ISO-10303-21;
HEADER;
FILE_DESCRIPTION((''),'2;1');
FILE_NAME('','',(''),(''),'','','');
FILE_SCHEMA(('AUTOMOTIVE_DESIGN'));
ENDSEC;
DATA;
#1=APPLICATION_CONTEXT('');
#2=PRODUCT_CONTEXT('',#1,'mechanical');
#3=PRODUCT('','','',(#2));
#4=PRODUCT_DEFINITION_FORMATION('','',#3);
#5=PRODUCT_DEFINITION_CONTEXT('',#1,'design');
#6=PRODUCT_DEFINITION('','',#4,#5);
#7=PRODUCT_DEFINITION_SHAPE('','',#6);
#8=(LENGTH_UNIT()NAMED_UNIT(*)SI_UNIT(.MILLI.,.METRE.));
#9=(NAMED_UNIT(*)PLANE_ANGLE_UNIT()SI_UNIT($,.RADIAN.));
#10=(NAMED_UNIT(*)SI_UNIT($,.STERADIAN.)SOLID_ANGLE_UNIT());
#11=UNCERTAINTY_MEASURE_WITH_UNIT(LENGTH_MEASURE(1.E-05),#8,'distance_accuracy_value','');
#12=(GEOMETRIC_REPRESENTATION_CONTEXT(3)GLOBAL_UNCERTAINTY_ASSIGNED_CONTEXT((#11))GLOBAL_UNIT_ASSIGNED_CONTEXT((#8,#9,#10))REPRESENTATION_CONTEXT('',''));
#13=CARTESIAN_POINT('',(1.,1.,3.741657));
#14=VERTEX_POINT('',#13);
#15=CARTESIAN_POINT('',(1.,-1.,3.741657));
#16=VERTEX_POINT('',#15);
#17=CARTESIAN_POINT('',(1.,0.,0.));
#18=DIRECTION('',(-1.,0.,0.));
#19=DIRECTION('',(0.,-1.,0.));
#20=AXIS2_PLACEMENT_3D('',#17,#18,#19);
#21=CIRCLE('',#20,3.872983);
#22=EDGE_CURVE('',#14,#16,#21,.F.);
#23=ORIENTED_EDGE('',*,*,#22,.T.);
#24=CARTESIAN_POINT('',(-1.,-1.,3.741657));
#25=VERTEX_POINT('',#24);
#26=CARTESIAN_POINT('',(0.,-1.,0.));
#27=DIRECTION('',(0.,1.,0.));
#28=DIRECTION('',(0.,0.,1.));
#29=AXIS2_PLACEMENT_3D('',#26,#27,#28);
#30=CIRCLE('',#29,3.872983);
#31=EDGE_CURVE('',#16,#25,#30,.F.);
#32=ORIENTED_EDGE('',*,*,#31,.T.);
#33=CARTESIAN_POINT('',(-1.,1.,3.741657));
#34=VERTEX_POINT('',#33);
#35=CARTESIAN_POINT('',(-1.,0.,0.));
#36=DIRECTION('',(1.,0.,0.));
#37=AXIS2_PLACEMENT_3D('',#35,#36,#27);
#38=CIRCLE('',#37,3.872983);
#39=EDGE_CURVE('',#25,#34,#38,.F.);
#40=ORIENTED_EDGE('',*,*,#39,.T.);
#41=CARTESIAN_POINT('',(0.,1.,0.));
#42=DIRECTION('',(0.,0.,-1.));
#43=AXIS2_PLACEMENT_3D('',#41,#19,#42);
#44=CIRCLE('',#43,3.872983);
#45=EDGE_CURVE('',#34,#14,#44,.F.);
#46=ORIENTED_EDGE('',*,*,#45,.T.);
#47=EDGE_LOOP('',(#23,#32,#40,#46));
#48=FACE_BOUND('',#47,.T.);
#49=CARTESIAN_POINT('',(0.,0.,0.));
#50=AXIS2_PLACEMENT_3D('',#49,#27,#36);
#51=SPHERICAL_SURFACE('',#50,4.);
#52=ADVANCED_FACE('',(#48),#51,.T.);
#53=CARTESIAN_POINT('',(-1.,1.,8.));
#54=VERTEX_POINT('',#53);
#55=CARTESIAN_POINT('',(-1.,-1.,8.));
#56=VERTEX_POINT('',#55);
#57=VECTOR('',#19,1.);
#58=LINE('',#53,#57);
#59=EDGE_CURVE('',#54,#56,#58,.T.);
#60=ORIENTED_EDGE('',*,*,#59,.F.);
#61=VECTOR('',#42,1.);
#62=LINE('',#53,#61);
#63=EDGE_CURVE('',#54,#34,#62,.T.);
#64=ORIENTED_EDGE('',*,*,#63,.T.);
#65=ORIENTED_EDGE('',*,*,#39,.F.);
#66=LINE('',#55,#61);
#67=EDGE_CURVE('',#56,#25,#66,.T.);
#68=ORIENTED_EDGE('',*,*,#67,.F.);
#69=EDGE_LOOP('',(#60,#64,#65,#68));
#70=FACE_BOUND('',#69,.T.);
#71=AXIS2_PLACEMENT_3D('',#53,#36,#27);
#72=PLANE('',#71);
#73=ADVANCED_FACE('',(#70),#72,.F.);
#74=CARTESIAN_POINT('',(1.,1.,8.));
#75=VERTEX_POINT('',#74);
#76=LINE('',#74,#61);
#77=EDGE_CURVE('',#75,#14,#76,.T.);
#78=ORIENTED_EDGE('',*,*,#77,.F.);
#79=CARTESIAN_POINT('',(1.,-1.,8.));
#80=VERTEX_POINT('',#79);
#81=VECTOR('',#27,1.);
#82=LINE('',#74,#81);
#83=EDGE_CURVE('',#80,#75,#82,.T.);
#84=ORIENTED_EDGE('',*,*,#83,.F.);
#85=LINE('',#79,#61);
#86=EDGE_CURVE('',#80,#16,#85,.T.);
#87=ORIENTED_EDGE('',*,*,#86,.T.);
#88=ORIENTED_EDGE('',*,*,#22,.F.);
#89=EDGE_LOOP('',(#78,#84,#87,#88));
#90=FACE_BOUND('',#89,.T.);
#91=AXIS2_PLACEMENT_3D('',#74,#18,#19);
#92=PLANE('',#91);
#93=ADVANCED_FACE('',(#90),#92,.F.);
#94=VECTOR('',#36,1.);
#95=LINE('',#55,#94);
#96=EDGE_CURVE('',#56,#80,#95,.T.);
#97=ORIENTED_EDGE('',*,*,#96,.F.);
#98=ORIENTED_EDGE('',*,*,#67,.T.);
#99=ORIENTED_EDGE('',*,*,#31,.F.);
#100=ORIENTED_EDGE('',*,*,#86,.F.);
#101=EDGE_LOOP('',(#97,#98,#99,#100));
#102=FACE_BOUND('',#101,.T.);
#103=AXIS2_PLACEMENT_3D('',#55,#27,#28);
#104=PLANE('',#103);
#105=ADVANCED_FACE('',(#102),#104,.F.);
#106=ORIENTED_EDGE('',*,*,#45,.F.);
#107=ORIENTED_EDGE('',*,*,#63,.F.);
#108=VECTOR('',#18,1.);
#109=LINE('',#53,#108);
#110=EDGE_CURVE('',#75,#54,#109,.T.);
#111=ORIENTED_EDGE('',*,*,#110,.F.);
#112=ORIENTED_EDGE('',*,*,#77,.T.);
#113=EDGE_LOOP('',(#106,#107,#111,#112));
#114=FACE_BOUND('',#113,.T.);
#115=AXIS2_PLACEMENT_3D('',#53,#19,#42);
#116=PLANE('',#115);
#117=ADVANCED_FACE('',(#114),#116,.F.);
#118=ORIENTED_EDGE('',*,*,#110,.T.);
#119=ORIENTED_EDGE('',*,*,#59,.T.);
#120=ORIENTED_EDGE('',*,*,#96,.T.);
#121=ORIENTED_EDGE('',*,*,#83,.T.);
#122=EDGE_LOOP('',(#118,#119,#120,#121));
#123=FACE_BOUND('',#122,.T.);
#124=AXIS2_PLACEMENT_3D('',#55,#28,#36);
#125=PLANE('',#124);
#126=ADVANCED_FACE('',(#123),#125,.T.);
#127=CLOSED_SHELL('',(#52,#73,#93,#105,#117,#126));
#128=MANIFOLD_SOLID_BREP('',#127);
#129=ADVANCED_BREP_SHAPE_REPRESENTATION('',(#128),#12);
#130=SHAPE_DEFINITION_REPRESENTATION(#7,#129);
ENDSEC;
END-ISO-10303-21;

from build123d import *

# Parameters (mm, degrees)
ESQUISSE2_W        = 2
ESQUISSE2_H        = 2
BOSS_EXTRU_1_DEPTH = 8


with BuildPart() as part:
    # Esquisse1 → Révolution1 (revolve)
    with BuildSketch(Plane.XY):
        with BuildLine():
            Line((0, 4), (0, -4))
            ThreePointArc((0, -4), (-4, 0), (0, 4))
        make_face()
    revolve(axis=Axis((0, 4, 0), (0, -1, 0)))

    # Esquisse2 → Boss.-Extru.1 (add)
    with BuildSketch(Plane.XY):
        Rectangle(ESQUISSE2_W, ESQUISSE2_H)
    extrude(amount=BOSS_EXTRU_1_DEPTH)


solid = part.part
